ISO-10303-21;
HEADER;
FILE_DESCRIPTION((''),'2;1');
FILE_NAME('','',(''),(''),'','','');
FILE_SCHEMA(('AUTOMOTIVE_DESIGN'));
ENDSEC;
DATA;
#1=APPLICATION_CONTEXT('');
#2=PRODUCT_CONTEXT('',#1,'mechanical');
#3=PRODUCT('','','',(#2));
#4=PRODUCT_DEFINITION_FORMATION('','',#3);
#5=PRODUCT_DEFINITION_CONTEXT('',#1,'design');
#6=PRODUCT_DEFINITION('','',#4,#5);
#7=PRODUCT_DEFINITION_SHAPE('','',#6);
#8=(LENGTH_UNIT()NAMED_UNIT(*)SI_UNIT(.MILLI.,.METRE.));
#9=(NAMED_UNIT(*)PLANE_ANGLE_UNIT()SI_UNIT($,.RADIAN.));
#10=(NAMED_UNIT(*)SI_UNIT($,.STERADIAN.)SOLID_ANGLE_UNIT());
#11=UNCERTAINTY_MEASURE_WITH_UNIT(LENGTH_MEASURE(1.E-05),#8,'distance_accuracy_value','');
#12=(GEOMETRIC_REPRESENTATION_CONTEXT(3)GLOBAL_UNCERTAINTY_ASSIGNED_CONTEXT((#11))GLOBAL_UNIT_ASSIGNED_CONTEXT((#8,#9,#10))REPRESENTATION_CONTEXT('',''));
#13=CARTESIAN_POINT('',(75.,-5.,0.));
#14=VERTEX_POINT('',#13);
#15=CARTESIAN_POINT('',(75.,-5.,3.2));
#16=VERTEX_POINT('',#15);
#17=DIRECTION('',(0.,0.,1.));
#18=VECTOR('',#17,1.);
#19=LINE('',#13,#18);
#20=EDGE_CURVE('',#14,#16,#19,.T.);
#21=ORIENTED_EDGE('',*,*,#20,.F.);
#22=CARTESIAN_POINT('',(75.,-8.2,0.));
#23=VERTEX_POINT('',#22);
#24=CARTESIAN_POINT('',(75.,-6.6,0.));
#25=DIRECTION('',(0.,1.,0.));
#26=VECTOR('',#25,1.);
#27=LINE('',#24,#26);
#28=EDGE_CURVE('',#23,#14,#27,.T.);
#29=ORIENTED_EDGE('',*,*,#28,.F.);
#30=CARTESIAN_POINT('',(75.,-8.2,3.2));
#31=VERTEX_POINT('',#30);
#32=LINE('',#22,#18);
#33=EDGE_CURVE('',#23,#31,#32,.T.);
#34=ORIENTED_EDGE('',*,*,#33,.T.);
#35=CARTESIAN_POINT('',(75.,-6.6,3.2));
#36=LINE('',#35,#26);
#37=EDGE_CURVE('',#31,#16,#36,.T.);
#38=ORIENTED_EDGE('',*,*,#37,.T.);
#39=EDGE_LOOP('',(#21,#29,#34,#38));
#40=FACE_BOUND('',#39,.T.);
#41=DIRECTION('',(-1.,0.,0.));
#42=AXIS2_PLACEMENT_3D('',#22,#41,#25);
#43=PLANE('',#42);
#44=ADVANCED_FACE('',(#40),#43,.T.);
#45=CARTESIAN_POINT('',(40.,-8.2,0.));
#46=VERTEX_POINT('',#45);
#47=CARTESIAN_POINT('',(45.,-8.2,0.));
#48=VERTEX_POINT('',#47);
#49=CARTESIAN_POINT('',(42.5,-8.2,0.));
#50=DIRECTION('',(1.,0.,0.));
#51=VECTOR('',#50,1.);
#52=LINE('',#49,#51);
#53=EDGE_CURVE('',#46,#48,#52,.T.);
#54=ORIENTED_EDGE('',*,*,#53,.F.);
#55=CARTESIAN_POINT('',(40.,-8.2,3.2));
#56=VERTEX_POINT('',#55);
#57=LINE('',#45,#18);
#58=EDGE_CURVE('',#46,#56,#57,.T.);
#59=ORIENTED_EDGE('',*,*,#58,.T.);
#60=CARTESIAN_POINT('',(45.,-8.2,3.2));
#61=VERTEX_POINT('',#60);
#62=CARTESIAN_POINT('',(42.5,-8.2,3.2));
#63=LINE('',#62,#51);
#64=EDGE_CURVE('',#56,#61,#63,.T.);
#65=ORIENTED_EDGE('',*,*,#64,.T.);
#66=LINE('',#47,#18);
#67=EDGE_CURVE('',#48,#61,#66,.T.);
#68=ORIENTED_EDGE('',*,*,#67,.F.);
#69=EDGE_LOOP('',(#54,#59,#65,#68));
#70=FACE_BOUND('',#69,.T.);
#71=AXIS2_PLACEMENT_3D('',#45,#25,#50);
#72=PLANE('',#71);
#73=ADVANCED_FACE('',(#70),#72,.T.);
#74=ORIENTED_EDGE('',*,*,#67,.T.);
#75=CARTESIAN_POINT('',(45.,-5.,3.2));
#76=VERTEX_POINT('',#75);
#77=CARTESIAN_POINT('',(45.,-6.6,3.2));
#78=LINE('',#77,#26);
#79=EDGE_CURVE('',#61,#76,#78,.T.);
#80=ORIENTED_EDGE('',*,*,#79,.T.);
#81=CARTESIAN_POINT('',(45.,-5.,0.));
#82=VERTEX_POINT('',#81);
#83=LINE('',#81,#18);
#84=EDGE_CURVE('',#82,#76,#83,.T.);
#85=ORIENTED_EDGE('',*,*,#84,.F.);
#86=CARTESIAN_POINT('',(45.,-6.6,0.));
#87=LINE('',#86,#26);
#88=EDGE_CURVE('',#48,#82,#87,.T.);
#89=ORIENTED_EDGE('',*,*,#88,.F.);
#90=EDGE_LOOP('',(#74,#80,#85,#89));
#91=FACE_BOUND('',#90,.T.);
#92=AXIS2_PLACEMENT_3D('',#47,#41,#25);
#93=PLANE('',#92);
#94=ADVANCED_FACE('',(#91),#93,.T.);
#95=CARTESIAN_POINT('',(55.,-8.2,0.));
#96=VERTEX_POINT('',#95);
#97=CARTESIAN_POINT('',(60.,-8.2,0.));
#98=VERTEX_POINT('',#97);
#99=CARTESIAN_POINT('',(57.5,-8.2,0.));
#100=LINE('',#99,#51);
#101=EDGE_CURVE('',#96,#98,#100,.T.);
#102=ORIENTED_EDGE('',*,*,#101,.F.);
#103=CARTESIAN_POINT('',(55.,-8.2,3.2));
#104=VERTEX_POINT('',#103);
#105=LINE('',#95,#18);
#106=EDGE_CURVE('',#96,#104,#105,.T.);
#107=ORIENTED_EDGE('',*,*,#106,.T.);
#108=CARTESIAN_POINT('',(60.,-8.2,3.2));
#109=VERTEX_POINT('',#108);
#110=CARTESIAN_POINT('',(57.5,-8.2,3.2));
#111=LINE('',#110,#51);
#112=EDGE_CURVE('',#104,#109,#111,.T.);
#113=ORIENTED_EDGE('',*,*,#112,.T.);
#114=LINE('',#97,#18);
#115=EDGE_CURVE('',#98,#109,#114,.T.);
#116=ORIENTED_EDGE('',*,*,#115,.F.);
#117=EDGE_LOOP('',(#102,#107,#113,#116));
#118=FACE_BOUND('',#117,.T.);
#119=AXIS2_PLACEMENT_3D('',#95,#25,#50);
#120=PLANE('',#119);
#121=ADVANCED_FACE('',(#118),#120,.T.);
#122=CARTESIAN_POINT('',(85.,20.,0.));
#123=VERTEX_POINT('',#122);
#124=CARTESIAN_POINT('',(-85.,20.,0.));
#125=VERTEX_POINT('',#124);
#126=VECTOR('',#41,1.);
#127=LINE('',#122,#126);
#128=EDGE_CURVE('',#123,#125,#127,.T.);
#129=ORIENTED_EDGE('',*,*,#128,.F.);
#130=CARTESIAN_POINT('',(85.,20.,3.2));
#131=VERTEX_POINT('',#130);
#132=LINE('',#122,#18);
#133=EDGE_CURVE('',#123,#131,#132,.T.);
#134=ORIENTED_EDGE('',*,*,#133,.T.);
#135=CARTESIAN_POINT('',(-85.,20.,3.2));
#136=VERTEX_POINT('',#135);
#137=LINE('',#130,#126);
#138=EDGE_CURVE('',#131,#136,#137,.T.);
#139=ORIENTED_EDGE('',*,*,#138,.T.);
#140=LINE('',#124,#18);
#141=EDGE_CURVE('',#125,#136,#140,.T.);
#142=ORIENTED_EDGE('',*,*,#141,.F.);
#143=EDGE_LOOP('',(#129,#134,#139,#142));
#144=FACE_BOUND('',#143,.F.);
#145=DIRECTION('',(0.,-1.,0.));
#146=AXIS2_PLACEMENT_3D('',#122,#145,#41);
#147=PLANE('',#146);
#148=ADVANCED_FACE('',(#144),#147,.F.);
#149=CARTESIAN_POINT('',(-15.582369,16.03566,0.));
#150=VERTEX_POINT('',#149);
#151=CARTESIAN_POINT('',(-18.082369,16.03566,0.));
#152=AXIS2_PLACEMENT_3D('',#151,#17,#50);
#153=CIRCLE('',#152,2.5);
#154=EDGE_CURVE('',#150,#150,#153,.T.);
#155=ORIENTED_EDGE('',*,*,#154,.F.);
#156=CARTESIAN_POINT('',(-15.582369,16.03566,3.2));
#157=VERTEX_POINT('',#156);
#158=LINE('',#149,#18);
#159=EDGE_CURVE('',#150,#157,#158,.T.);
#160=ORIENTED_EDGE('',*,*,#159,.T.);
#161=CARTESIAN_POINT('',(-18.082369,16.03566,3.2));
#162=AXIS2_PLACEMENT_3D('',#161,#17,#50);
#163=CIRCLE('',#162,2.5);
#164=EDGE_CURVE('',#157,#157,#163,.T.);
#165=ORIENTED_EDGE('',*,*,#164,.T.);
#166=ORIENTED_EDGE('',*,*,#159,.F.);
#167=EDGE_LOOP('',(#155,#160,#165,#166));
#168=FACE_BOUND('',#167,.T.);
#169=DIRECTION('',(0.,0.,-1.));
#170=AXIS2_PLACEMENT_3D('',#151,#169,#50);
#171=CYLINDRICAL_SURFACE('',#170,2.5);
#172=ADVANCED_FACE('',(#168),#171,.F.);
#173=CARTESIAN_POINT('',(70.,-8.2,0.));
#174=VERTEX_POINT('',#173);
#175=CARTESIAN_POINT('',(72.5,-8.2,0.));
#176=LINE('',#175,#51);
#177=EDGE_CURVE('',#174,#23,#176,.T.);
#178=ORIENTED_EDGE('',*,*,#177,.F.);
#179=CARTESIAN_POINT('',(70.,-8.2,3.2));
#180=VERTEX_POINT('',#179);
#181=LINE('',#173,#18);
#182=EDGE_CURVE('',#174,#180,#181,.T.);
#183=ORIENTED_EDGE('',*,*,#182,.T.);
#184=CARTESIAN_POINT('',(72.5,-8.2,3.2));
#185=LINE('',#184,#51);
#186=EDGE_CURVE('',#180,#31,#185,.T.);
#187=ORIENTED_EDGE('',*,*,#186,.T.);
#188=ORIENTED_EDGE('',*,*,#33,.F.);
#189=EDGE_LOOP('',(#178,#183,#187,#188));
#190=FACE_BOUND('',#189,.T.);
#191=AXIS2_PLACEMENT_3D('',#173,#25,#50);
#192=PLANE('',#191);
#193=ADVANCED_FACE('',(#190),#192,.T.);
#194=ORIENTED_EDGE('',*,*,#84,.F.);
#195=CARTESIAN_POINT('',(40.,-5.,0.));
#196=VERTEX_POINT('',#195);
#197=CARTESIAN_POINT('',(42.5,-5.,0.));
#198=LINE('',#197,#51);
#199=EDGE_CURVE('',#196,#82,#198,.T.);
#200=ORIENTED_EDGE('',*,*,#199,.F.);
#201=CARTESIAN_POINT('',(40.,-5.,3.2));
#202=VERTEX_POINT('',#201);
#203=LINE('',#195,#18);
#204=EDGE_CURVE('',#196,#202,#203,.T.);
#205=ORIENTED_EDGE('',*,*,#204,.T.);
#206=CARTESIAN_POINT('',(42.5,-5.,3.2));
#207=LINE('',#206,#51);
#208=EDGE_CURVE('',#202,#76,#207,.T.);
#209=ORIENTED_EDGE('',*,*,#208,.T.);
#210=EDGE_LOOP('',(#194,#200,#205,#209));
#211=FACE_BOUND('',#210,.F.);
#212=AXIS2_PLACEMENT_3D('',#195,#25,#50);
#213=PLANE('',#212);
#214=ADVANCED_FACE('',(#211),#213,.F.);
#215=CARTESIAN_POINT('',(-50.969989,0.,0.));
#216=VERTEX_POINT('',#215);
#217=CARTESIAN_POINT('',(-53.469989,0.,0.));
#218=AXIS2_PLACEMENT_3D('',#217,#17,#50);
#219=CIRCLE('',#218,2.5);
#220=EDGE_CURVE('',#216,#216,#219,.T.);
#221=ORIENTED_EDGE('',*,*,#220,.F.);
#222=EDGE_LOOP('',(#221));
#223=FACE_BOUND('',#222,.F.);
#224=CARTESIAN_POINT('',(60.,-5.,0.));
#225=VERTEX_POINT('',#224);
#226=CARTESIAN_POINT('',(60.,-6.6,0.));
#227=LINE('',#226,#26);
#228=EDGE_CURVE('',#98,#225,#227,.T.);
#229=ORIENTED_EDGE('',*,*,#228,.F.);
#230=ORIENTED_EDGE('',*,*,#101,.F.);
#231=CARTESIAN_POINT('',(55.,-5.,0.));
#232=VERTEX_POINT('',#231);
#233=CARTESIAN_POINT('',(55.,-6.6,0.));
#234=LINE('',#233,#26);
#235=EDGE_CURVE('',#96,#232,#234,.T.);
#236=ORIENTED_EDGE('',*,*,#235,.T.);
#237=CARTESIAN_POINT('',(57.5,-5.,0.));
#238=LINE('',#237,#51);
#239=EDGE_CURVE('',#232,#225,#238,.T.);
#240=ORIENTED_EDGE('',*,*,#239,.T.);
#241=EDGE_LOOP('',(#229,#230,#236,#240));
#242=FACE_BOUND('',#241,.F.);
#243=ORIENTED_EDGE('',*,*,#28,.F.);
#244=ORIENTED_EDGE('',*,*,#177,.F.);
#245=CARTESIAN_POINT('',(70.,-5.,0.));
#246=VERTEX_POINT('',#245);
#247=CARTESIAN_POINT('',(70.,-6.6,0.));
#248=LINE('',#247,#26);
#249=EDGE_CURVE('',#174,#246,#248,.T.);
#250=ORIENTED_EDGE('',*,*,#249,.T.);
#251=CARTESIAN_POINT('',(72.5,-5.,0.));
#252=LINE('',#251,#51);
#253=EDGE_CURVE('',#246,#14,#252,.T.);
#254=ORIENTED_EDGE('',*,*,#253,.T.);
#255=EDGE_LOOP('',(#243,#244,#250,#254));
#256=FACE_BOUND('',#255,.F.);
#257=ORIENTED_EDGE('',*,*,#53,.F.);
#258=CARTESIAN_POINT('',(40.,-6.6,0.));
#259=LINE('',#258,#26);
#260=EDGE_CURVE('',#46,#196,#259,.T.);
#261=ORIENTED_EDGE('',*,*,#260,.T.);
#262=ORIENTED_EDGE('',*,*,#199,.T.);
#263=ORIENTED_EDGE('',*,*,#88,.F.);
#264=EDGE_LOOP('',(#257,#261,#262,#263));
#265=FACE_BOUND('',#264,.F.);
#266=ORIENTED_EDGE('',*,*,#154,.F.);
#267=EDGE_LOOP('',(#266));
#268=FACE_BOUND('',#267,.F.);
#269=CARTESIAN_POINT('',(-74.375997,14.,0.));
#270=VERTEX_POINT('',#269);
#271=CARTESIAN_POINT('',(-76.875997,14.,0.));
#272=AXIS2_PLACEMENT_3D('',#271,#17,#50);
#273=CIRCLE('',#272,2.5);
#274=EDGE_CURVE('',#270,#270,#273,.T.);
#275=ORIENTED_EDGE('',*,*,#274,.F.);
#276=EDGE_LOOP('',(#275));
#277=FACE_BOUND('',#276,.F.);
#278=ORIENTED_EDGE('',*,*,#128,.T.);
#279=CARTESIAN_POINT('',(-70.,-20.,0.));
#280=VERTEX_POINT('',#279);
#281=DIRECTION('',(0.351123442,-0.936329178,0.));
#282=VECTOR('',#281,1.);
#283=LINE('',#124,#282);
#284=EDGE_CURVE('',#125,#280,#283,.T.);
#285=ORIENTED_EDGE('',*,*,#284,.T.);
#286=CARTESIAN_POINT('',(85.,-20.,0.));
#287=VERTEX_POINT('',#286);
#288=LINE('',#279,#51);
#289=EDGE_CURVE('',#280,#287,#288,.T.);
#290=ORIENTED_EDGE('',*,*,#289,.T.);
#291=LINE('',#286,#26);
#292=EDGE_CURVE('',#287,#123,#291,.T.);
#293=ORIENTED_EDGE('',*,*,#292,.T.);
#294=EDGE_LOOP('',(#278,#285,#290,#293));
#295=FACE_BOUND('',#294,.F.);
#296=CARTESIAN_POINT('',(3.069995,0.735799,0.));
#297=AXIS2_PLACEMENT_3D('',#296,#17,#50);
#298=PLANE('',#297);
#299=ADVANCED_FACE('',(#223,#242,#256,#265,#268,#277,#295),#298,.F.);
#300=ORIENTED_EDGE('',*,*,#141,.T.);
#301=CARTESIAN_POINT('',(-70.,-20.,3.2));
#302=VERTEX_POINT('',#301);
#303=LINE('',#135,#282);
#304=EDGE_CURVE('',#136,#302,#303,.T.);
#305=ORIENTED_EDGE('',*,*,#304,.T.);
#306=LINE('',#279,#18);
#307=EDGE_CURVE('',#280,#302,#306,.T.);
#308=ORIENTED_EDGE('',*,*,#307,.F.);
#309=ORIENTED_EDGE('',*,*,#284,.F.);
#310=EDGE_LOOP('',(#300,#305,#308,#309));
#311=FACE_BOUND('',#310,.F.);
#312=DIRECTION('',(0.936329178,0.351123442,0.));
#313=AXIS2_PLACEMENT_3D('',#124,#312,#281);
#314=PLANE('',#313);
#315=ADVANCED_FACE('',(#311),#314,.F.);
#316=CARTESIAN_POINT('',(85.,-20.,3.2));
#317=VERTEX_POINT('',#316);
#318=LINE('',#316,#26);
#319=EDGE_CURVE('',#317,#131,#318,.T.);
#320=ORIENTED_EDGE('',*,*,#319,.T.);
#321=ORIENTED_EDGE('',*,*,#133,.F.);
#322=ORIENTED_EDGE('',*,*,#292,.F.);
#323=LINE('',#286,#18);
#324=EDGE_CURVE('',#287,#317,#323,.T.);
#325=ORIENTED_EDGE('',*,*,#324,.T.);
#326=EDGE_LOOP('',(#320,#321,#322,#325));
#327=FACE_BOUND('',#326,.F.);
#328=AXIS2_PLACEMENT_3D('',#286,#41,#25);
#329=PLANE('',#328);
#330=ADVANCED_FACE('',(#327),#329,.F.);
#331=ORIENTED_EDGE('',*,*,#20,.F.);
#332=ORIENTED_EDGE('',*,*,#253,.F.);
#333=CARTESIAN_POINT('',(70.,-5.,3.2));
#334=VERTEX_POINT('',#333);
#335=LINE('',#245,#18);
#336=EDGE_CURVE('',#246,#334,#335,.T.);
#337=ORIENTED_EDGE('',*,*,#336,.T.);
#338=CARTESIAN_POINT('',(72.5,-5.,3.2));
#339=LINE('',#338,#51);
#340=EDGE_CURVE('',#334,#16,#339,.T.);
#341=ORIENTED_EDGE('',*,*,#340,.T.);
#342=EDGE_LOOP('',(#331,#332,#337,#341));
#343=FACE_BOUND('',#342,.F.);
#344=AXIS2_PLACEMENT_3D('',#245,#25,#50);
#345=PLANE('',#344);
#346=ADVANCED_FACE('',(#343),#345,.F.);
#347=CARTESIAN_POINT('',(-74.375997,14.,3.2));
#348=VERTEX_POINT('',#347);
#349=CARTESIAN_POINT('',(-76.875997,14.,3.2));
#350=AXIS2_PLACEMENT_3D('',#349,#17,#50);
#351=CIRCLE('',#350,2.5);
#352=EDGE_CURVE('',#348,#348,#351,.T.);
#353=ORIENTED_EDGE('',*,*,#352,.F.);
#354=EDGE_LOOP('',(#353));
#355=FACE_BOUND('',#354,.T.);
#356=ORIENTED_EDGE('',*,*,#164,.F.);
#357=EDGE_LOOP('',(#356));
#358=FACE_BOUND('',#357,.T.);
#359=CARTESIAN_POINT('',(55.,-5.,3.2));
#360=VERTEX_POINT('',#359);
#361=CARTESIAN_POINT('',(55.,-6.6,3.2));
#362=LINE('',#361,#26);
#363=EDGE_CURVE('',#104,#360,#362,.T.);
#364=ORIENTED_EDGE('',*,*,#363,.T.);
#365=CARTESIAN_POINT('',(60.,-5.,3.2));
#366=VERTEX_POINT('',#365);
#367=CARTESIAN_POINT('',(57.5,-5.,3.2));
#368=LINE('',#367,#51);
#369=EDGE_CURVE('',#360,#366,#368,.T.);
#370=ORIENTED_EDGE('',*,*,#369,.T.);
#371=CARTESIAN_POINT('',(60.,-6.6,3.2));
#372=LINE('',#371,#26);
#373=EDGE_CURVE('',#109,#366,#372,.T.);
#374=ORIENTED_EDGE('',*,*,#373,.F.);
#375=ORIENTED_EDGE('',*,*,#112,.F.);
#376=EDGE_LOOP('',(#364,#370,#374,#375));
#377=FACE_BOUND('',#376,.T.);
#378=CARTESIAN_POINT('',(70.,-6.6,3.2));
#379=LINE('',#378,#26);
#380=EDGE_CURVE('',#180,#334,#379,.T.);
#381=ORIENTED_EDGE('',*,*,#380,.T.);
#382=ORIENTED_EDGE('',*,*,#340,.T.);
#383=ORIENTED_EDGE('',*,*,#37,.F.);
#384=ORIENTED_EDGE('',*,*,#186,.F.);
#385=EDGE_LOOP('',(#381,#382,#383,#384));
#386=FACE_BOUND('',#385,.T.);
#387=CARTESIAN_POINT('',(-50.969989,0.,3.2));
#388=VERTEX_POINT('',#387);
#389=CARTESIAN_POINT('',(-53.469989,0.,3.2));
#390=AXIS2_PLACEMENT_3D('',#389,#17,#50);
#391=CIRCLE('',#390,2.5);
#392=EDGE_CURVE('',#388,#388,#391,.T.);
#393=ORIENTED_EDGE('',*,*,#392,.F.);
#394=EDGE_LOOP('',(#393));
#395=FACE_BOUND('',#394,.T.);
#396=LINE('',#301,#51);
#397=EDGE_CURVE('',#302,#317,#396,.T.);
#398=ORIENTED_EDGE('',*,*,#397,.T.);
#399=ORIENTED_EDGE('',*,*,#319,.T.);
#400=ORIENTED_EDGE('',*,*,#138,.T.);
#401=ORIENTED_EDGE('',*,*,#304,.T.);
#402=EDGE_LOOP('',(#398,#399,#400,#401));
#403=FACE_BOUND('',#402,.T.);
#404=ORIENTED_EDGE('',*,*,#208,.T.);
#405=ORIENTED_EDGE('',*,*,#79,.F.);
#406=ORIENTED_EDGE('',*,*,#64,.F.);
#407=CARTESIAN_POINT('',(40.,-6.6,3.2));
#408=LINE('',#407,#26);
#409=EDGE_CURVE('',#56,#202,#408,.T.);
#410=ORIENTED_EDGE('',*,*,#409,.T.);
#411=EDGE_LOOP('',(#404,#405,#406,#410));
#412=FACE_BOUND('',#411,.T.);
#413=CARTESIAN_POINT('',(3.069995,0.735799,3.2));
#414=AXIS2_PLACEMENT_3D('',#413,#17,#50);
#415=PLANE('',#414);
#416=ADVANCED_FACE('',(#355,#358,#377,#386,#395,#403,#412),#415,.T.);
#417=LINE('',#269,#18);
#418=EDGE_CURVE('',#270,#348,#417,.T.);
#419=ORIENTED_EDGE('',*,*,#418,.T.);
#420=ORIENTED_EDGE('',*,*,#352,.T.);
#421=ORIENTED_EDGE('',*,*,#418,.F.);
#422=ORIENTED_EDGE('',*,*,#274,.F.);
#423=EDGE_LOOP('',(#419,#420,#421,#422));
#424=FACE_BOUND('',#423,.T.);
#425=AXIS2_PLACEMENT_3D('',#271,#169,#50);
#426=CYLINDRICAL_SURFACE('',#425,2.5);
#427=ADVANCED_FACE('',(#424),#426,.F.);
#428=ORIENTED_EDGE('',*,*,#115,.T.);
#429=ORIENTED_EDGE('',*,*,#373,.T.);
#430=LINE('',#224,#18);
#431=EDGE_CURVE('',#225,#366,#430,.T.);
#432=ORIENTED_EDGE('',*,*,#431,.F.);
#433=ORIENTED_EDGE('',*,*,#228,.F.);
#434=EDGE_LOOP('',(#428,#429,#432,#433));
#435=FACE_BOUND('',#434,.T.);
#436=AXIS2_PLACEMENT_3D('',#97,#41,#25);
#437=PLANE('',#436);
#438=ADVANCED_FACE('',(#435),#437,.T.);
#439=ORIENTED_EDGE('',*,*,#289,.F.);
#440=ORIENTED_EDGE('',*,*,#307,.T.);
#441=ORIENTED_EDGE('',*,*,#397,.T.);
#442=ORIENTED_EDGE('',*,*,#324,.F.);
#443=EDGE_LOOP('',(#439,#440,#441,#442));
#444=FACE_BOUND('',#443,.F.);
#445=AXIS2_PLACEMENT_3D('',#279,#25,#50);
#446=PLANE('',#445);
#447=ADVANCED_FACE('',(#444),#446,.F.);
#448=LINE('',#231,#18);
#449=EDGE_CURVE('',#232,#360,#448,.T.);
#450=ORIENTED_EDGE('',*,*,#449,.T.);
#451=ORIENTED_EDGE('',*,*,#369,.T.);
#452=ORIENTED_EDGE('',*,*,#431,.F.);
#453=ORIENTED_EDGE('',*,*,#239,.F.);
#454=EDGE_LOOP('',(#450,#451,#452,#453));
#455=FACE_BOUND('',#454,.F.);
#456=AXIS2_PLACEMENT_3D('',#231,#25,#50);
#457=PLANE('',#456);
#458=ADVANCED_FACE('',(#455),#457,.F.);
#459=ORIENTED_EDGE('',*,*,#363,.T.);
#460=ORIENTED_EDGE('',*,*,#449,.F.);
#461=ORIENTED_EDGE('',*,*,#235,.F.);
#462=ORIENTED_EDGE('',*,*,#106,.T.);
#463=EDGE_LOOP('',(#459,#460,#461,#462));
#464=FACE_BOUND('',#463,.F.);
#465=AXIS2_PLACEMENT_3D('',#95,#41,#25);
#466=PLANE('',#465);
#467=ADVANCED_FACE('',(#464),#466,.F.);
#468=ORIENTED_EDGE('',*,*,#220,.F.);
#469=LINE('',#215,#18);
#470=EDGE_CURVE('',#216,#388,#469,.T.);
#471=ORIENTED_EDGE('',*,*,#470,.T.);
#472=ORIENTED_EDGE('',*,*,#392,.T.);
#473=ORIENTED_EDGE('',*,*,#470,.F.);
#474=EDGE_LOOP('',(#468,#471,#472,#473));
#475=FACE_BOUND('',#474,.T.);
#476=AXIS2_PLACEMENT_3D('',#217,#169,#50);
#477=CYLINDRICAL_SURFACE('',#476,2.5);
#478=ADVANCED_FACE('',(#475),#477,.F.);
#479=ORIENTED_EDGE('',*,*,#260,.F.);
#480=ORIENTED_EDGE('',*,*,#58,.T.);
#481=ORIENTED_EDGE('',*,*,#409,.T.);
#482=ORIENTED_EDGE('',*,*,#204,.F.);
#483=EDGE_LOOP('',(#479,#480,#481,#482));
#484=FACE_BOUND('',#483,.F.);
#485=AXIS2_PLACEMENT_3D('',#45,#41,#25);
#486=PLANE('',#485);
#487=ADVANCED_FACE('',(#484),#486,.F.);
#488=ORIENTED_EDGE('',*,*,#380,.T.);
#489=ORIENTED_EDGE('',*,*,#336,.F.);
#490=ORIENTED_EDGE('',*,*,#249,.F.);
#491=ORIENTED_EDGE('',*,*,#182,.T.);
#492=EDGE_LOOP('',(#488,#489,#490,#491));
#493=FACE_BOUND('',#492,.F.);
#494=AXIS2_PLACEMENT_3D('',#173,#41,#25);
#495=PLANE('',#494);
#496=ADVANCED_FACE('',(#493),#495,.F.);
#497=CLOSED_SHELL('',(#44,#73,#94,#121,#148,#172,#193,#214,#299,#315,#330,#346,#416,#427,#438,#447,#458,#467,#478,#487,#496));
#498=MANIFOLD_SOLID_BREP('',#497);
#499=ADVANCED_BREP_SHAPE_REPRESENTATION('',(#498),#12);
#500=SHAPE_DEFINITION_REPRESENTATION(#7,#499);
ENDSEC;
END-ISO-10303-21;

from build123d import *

# Parameters (mm, degrees)
F0_W     = 5
F0_H     = 3.2
F0_R     = 2.5
F1_DEPTH = 3.2


with BuildPart() as f1:
    # F0 (on Top) → F1 (new body)
    with BuildSketch(Plane.XY):
        Polygon((-70, -20), (85, -20), (85, 20), (-85, 20), align=None)
        with Locations((42.5, -6.6)):
            Rectangle(F0_W, F0_H, mode=Mode.SUBTRACT)
        with Locations((57.5, -6.6)):
            Rectangle(F0_W, F0_H, mode=Mode.SUBTRACT)
        with Locations((72.5, -6.6)):
            Rectangle(F0_W, F0_H, mode=Mode.SUBTRACT)
        with Locations((-53.469989, 0)):
            Circle(F0_R, mode=Mode.SUBTRACT)
        with Locations((-76.875997, 14)):
            Circle(F0_R, mode=Mode.SUBTRACT)
        with Locations((-18.082369, 16.03566)):
            Circle(F0_R, mode=Mode.SUBTRACT)
    extrude(amount=F1_DEPTH)


solid = f1.part
